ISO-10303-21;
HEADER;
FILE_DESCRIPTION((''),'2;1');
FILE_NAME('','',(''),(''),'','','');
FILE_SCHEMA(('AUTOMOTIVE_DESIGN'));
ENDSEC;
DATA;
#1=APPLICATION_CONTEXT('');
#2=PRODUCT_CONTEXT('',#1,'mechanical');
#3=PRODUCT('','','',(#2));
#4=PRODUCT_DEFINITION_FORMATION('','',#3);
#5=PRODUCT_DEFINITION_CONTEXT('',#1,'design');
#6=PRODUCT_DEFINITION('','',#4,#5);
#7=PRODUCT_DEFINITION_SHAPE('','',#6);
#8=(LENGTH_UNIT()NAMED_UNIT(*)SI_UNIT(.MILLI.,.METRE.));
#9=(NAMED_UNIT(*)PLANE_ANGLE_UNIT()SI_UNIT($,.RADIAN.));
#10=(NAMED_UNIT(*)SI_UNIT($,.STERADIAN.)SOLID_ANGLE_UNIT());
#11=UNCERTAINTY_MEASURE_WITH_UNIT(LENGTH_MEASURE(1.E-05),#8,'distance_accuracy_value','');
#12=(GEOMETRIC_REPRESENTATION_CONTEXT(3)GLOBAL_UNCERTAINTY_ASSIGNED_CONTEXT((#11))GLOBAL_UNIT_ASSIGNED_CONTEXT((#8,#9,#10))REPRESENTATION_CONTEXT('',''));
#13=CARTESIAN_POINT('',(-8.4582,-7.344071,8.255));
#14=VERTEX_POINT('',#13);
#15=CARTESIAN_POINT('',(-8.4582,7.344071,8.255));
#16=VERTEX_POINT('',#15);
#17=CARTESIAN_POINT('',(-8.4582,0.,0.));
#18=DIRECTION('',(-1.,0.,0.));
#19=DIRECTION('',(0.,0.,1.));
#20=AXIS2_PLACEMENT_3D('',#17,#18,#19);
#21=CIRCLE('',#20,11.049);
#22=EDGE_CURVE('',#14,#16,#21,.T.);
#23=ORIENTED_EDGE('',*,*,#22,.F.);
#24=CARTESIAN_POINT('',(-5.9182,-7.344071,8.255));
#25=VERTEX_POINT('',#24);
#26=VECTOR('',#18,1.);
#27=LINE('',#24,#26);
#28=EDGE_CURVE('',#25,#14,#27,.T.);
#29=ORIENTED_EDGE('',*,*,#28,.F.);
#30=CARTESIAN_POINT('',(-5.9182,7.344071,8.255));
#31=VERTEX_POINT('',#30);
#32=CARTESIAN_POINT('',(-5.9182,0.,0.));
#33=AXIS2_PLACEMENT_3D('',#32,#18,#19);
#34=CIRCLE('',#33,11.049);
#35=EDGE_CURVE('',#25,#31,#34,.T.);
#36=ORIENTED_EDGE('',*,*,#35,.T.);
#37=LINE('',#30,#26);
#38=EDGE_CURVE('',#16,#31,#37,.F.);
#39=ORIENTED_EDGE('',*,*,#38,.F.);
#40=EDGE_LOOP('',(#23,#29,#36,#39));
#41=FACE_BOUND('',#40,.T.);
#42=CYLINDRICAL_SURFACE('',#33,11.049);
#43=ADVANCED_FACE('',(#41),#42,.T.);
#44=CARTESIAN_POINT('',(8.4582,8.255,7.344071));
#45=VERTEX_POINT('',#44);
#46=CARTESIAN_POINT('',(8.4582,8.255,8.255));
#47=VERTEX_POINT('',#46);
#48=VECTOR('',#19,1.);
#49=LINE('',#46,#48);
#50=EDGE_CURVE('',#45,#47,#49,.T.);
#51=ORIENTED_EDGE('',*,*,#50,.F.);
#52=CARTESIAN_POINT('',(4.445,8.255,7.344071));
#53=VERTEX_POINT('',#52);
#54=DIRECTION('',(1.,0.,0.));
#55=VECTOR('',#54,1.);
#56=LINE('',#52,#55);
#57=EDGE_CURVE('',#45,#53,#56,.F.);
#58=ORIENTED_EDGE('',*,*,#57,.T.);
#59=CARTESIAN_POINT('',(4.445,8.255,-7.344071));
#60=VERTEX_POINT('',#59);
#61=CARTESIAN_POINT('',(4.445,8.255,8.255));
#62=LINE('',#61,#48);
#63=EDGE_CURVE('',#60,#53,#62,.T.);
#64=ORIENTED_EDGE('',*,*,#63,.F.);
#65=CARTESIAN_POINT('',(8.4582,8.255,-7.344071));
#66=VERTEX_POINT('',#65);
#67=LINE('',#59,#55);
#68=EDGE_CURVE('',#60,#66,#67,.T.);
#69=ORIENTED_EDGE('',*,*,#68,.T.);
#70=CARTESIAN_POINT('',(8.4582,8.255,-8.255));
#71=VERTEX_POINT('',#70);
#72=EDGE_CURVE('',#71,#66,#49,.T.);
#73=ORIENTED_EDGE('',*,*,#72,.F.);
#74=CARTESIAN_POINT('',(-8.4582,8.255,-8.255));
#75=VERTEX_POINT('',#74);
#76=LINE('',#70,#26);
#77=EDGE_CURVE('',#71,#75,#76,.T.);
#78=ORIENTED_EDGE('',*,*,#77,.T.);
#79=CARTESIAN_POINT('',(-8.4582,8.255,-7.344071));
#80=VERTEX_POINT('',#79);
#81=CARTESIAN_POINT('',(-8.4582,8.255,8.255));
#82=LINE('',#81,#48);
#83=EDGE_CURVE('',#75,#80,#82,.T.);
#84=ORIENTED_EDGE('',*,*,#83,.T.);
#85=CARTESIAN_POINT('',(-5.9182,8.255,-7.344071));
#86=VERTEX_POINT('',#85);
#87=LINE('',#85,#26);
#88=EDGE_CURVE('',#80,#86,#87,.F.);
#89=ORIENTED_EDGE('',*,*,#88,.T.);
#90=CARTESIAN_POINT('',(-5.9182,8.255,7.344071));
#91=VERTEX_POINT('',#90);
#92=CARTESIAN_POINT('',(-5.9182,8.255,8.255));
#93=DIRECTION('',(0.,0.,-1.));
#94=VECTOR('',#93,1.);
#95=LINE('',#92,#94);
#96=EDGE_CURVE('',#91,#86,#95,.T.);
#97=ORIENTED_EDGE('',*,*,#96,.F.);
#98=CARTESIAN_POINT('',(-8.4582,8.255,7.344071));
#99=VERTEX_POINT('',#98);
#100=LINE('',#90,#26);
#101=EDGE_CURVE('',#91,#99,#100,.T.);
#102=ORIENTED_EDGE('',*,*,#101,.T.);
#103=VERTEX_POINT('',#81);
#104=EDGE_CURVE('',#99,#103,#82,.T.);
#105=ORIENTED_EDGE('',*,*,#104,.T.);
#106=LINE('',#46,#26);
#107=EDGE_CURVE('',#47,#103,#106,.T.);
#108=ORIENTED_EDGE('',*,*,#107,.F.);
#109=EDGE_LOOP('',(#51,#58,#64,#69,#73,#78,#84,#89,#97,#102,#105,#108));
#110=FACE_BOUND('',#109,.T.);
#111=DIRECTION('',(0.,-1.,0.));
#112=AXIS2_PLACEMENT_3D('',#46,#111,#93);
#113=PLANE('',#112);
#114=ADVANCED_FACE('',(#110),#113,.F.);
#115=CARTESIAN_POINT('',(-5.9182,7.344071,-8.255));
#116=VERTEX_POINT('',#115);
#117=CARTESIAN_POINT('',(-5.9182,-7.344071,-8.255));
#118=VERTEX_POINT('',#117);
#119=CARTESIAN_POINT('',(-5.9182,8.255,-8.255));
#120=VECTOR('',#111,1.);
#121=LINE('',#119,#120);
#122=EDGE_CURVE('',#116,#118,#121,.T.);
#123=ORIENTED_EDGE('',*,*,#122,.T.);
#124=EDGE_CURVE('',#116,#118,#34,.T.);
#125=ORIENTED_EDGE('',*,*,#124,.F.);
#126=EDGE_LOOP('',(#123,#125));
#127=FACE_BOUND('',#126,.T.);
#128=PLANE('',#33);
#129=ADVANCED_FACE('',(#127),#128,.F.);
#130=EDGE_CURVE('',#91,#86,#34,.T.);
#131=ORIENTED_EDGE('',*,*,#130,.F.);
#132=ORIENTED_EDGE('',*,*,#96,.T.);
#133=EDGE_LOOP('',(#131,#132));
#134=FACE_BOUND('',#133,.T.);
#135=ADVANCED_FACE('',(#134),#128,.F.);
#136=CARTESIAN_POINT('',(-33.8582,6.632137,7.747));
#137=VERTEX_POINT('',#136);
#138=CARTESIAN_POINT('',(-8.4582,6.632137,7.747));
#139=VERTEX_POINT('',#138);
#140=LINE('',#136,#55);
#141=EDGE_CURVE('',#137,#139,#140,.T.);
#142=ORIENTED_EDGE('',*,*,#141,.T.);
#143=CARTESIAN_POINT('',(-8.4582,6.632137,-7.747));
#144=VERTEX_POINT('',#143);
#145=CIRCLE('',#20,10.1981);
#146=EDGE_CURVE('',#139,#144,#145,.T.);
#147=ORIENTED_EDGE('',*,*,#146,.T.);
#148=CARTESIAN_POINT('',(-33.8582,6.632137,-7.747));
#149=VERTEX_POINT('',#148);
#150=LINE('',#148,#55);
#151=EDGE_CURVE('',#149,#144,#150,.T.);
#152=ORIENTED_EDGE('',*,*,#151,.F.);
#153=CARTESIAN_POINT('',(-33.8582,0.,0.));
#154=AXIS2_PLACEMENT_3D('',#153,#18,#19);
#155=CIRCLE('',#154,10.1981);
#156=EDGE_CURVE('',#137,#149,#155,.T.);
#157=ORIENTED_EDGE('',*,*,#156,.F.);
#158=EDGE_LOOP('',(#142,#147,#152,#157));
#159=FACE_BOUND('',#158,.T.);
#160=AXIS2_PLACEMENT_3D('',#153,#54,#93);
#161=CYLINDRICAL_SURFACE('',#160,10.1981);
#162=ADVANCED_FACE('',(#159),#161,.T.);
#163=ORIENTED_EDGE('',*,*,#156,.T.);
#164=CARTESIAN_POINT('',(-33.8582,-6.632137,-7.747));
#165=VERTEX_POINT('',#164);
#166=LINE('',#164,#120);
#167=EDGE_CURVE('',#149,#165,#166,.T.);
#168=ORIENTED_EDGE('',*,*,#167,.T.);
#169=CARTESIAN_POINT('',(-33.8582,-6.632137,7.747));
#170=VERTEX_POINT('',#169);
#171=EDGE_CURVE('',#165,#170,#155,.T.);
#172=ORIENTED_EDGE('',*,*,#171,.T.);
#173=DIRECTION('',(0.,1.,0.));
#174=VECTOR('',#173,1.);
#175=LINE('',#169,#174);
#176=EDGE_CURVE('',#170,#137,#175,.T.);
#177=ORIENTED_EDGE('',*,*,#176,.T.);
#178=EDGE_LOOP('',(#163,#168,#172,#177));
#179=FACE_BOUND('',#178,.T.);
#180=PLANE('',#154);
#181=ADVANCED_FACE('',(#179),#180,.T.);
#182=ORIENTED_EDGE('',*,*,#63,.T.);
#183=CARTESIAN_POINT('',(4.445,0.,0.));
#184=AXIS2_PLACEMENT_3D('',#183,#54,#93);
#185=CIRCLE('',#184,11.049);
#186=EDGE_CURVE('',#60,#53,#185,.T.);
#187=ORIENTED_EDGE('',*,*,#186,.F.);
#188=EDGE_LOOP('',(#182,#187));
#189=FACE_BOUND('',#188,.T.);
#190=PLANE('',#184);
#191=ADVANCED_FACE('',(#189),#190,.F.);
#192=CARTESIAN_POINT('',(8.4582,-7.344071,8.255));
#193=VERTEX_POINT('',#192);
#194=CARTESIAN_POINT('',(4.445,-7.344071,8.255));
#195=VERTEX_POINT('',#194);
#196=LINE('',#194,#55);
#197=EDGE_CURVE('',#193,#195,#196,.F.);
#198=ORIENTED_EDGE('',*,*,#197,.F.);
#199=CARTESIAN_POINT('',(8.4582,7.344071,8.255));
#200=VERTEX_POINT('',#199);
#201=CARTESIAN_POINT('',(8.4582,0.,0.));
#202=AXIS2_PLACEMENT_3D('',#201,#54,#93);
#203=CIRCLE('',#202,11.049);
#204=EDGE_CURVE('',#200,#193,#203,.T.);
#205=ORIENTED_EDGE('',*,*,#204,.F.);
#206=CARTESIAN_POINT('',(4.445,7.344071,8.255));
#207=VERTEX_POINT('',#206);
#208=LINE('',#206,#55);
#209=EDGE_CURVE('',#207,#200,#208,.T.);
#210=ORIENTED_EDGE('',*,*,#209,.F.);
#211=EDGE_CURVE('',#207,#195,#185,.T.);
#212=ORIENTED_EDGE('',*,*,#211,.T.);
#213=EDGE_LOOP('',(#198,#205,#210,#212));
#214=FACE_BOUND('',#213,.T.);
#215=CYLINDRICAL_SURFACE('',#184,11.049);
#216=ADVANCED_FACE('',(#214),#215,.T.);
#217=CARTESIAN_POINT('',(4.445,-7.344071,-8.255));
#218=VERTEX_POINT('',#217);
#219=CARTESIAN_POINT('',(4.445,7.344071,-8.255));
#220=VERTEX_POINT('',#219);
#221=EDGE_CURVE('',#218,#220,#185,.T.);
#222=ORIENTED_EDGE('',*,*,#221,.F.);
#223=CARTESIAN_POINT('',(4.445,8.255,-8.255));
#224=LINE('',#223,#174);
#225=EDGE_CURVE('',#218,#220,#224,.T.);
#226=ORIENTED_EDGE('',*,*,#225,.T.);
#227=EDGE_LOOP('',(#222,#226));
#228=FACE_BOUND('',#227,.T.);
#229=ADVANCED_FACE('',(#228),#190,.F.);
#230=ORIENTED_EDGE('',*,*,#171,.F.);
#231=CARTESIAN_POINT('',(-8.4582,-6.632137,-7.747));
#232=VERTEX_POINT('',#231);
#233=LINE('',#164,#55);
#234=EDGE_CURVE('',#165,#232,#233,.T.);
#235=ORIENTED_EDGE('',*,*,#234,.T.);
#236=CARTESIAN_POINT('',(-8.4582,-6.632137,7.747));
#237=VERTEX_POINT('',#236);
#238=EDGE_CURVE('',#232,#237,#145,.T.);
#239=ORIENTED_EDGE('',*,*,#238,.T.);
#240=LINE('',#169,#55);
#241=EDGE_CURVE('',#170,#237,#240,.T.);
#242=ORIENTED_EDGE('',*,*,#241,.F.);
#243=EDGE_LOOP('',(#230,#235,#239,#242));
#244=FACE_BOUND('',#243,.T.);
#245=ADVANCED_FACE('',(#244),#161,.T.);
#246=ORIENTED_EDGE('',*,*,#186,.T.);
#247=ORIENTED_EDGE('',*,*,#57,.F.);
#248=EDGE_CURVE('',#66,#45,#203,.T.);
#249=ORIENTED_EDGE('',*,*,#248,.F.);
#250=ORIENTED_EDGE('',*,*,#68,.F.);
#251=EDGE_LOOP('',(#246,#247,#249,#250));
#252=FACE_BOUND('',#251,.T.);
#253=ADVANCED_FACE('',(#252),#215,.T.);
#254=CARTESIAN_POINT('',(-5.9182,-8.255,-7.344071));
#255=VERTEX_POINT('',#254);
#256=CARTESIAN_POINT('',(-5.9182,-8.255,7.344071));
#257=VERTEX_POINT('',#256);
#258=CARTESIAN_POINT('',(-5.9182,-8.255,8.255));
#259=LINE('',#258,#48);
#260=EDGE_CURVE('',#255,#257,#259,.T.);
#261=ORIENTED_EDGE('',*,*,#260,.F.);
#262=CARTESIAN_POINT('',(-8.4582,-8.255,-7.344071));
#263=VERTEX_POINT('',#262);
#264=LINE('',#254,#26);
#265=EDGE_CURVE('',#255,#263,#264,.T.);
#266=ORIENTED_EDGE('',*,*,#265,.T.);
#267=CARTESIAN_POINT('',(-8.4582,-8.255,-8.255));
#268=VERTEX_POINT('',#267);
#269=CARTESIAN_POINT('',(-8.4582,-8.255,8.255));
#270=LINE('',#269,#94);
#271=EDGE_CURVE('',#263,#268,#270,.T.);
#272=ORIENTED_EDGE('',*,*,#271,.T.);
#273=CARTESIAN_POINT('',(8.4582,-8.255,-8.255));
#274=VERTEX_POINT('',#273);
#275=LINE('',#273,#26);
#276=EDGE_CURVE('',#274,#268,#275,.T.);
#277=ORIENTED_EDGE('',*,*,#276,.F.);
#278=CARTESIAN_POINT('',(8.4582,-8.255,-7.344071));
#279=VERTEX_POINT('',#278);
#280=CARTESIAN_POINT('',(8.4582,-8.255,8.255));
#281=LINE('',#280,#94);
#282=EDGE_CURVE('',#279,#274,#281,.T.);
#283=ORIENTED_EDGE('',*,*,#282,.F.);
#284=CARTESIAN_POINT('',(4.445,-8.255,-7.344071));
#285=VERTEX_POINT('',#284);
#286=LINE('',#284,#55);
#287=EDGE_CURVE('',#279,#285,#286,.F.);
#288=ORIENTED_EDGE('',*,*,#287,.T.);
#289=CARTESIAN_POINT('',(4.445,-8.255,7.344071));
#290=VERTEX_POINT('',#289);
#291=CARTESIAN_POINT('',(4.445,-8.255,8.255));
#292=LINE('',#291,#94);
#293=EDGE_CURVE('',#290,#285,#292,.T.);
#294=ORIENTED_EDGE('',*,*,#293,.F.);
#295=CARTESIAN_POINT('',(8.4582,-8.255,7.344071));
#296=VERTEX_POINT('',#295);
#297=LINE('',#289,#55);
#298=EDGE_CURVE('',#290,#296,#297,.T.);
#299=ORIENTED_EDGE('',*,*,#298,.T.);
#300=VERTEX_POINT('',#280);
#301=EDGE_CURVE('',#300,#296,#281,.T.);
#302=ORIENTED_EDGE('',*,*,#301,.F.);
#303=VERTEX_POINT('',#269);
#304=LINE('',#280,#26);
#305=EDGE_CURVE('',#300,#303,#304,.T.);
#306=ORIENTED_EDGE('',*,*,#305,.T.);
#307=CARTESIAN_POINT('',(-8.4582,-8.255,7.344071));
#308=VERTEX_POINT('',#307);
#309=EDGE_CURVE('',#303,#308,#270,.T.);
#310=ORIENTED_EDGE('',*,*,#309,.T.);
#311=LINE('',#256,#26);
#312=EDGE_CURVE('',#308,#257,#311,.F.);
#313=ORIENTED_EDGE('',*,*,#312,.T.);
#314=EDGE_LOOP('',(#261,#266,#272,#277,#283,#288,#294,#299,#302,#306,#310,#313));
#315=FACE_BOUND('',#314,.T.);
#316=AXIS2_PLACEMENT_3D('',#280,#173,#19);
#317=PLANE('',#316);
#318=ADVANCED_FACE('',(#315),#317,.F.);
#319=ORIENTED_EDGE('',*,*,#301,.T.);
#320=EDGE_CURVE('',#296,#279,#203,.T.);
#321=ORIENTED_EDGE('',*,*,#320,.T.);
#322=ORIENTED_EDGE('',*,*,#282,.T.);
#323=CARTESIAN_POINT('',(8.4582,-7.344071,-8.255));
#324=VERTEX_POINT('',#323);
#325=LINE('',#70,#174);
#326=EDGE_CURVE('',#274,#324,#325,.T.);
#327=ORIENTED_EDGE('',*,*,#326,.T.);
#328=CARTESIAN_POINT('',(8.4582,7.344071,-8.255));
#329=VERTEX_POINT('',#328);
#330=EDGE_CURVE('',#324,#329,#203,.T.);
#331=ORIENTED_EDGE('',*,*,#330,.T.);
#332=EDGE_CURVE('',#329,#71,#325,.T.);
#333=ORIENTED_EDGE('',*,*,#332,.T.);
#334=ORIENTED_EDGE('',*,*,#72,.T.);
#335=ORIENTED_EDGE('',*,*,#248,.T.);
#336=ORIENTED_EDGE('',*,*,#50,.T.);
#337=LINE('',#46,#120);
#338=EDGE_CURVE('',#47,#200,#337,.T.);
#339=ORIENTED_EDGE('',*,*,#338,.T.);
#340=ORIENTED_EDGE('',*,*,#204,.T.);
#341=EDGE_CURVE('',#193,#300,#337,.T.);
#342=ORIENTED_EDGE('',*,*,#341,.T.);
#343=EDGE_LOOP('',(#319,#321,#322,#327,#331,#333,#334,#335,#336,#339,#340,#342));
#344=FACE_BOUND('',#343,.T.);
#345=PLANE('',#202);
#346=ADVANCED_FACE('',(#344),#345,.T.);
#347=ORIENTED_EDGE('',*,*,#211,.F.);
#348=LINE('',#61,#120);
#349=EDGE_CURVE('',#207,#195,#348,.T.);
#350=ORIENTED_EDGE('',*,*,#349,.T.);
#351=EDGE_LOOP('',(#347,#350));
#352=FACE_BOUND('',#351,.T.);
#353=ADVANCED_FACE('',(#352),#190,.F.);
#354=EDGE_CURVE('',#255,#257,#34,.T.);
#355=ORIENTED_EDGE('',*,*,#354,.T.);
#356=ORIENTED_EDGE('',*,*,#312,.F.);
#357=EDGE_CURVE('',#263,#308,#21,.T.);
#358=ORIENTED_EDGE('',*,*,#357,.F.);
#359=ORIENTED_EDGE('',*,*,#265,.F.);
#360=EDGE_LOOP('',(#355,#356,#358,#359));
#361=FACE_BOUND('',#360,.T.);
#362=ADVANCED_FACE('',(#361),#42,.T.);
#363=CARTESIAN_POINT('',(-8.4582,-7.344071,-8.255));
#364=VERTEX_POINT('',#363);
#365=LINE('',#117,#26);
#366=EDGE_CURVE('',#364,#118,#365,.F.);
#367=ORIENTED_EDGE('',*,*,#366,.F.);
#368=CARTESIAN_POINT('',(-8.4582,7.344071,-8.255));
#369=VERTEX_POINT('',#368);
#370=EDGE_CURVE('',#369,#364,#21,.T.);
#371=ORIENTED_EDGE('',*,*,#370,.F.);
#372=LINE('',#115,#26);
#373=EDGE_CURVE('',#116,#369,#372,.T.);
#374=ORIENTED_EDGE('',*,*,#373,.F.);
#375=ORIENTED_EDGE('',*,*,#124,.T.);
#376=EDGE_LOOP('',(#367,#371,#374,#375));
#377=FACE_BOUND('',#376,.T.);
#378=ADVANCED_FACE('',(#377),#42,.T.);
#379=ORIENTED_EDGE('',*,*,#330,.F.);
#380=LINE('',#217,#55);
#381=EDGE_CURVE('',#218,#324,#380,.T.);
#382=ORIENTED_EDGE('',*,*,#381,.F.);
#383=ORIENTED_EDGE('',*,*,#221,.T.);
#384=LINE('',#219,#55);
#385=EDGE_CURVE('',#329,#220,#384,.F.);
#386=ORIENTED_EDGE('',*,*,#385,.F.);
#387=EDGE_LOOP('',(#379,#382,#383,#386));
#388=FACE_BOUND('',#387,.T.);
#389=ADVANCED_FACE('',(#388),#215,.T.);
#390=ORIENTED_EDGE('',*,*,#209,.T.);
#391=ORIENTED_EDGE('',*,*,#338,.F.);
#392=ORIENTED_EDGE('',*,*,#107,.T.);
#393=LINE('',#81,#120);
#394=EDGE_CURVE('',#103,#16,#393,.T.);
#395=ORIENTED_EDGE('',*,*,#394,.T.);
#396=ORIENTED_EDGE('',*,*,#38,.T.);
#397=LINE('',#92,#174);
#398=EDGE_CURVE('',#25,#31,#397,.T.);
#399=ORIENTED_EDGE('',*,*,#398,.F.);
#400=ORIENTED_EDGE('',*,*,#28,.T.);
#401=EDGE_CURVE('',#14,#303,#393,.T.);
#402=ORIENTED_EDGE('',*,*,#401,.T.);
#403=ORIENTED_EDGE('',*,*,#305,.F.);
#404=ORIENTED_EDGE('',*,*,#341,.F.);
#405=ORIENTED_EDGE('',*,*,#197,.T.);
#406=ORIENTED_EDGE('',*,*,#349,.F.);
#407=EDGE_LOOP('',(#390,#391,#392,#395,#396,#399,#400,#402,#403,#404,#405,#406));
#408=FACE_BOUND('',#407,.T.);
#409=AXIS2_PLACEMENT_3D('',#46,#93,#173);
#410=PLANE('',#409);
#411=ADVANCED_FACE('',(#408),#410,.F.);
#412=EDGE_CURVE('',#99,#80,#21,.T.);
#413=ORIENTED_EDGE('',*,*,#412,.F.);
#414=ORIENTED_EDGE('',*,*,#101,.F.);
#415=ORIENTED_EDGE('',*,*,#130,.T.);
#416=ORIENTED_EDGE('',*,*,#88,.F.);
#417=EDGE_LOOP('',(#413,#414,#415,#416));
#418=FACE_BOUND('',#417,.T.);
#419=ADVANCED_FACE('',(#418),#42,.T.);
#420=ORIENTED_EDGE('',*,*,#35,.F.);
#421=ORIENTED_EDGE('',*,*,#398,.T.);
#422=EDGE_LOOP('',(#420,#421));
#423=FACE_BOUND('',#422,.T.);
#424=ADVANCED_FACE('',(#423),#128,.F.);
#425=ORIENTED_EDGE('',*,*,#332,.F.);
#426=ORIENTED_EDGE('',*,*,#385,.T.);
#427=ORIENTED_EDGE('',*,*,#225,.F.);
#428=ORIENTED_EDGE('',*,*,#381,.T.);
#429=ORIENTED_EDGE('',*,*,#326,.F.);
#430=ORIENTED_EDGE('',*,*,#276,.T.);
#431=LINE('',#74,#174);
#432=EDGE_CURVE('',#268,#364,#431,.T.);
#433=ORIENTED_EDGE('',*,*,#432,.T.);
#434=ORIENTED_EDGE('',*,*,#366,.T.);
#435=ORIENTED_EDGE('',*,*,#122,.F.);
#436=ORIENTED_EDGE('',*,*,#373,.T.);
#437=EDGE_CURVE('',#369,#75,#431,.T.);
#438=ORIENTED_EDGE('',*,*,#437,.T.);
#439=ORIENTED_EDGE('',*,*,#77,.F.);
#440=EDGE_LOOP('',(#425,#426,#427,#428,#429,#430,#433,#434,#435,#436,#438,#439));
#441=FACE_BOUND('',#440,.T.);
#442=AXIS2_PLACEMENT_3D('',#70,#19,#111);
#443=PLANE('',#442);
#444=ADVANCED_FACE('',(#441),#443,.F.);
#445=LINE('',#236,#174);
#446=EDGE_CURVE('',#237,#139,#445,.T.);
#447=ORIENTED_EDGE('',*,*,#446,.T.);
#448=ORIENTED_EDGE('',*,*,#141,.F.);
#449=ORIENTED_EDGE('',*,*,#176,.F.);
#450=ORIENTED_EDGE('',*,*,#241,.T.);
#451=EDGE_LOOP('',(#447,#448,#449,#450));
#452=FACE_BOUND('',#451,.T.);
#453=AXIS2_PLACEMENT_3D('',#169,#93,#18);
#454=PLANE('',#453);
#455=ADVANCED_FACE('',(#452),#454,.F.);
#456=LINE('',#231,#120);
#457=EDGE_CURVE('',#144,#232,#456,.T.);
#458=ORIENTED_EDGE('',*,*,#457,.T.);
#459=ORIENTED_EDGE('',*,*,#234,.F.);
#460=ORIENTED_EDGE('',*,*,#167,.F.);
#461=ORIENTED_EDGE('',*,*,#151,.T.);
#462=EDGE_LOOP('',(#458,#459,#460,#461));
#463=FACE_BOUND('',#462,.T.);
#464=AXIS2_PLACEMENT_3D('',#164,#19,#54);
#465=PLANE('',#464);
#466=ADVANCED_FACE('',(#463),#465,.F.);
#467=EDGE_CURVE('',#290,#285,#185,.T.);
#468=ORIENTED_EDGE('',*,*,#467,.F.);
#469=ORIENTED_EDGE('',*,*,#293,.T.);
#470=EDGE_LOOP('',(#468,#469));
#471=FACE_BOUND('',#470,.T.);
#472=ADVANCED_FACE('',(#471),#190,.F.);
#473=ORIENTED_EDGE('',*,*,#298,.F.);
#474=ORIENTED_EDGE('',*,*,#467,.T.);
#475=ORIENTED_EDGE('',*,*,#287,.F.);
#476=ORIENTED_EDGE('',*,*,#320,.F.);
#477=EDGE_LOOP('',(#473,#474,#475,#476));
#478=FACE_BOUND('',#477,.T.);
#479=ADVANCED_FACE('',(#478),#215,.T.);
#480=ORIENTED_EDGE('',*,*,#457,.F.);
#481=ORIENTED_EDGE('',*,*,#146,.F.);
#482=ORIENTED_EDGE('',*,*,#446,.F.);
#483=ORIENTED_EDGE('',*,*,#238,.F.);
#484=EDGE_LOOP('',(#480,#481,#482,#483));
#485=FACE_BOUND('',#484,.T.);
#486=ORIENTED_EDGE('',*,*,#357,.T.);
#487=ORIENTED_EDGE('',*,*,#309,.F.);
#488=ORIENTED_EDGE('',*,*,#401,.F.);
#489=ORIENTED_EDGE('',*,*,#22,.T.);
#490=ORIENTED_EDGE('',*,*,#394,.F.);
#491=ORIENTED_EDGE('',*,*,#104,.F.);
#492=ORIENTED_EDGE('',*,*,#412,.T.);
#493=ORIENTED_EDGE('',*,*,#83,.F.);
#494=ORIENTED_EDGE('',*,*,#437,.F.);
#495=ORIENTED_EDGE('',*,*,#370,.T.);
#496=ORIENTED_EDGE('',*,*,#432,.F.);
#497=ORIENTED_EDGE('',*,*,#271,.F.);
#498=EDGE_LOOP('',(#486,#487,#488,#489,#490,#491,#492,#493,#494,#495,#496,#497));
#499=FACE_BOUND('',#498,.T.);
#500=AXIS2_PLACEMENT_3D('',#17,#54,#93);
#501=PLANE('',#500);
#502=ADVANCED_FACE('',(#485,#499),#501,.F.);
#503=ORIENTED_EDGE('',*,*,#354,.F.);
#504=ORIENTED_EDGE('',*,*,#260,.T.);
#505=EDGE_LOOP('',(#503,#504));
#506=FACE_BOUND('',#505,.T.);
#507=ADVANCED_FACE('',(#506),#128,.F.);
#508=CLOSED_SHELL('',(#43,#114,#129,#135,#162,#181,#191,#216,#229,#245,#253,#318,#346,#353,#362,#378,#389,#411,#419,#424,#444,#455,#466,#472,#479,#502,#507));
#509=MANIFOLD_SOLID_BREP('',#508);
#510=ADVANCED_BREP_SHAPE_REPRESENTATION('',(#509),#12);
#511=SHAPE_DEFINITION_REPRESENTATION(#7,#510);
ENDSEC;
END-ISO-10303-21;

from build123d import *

# Parameters (mm, degrees)
SKETCH1_W           = 16.51
SKETCH1_H           = 16.51
BOSS_EXTRUDE1_DEPTH = 8.4582
SKETCH2_R           = 11.049
BOSS_EXTRUDE2_DEPTH = 4.0132
BOSS_EXTRUDE3_START = -2.54
SKETCH3_R           = 11.049
BOSS_EXTRUDE3_DEPTH = 2.54
BOSS_EXTRUDE4_DEPTH = 25.4


with BuildPart() as part:
    # Sketch1 → Boss-Extrude1 (new, symmetric)
    with BuildSketch(Plane(origin=(0, 0, 0), x_dir=(0, 0, -1), z_dir=(1, 0, 0))):
        Rectangle(SKETCH1_W, SKETCH1_H)
    extrude(amount=BOSS_EXTRUDE1_DEPTH, both=True)

    # Sketch2 → Boss-Extrude2 (add)
    with BuildSketch(Plane(origin=(8.4582, 0, 0), x_dir=(0, 0, -1), z_dir=(1, 0, 0))):
        Circle(SKETCH2_R)
    extrude(amount=-BOSS_EXTRUDE2_DEPTH)

    # Sketch3 → Boss-Extrude3 (add)
    with BuildSketch(Plane.ZY.offset(8.4582).offset(BOSS_EXTRUDE3_START)):
        Circle(SKETCH3_R)
    extrude(amount=BOSS_EXTRUDE3_DEPTH)

    # Sketch4 → Boss-Extrude4 (add)
    with BuildSketch(Plane.ZY.offset(8.4582)):
        with BuildLine():
            Line((-7.747, -6.632136504), (-7.747, 6.632136504))
            ThreePointArc((-7.747, 6.632136504), (0, 10.1981), (7.747, 6.632136504))
            Line((7.747, 6.632136504), (7.747, -6.632136504))
            ThreePointArc((7.747, -6.632136504), (0, -10.1981), (-7.747, -6.632136504))
        make_face()
    extrude(amount=BOSS_EXTRUDE4_DEPTH)


solid = part.part
